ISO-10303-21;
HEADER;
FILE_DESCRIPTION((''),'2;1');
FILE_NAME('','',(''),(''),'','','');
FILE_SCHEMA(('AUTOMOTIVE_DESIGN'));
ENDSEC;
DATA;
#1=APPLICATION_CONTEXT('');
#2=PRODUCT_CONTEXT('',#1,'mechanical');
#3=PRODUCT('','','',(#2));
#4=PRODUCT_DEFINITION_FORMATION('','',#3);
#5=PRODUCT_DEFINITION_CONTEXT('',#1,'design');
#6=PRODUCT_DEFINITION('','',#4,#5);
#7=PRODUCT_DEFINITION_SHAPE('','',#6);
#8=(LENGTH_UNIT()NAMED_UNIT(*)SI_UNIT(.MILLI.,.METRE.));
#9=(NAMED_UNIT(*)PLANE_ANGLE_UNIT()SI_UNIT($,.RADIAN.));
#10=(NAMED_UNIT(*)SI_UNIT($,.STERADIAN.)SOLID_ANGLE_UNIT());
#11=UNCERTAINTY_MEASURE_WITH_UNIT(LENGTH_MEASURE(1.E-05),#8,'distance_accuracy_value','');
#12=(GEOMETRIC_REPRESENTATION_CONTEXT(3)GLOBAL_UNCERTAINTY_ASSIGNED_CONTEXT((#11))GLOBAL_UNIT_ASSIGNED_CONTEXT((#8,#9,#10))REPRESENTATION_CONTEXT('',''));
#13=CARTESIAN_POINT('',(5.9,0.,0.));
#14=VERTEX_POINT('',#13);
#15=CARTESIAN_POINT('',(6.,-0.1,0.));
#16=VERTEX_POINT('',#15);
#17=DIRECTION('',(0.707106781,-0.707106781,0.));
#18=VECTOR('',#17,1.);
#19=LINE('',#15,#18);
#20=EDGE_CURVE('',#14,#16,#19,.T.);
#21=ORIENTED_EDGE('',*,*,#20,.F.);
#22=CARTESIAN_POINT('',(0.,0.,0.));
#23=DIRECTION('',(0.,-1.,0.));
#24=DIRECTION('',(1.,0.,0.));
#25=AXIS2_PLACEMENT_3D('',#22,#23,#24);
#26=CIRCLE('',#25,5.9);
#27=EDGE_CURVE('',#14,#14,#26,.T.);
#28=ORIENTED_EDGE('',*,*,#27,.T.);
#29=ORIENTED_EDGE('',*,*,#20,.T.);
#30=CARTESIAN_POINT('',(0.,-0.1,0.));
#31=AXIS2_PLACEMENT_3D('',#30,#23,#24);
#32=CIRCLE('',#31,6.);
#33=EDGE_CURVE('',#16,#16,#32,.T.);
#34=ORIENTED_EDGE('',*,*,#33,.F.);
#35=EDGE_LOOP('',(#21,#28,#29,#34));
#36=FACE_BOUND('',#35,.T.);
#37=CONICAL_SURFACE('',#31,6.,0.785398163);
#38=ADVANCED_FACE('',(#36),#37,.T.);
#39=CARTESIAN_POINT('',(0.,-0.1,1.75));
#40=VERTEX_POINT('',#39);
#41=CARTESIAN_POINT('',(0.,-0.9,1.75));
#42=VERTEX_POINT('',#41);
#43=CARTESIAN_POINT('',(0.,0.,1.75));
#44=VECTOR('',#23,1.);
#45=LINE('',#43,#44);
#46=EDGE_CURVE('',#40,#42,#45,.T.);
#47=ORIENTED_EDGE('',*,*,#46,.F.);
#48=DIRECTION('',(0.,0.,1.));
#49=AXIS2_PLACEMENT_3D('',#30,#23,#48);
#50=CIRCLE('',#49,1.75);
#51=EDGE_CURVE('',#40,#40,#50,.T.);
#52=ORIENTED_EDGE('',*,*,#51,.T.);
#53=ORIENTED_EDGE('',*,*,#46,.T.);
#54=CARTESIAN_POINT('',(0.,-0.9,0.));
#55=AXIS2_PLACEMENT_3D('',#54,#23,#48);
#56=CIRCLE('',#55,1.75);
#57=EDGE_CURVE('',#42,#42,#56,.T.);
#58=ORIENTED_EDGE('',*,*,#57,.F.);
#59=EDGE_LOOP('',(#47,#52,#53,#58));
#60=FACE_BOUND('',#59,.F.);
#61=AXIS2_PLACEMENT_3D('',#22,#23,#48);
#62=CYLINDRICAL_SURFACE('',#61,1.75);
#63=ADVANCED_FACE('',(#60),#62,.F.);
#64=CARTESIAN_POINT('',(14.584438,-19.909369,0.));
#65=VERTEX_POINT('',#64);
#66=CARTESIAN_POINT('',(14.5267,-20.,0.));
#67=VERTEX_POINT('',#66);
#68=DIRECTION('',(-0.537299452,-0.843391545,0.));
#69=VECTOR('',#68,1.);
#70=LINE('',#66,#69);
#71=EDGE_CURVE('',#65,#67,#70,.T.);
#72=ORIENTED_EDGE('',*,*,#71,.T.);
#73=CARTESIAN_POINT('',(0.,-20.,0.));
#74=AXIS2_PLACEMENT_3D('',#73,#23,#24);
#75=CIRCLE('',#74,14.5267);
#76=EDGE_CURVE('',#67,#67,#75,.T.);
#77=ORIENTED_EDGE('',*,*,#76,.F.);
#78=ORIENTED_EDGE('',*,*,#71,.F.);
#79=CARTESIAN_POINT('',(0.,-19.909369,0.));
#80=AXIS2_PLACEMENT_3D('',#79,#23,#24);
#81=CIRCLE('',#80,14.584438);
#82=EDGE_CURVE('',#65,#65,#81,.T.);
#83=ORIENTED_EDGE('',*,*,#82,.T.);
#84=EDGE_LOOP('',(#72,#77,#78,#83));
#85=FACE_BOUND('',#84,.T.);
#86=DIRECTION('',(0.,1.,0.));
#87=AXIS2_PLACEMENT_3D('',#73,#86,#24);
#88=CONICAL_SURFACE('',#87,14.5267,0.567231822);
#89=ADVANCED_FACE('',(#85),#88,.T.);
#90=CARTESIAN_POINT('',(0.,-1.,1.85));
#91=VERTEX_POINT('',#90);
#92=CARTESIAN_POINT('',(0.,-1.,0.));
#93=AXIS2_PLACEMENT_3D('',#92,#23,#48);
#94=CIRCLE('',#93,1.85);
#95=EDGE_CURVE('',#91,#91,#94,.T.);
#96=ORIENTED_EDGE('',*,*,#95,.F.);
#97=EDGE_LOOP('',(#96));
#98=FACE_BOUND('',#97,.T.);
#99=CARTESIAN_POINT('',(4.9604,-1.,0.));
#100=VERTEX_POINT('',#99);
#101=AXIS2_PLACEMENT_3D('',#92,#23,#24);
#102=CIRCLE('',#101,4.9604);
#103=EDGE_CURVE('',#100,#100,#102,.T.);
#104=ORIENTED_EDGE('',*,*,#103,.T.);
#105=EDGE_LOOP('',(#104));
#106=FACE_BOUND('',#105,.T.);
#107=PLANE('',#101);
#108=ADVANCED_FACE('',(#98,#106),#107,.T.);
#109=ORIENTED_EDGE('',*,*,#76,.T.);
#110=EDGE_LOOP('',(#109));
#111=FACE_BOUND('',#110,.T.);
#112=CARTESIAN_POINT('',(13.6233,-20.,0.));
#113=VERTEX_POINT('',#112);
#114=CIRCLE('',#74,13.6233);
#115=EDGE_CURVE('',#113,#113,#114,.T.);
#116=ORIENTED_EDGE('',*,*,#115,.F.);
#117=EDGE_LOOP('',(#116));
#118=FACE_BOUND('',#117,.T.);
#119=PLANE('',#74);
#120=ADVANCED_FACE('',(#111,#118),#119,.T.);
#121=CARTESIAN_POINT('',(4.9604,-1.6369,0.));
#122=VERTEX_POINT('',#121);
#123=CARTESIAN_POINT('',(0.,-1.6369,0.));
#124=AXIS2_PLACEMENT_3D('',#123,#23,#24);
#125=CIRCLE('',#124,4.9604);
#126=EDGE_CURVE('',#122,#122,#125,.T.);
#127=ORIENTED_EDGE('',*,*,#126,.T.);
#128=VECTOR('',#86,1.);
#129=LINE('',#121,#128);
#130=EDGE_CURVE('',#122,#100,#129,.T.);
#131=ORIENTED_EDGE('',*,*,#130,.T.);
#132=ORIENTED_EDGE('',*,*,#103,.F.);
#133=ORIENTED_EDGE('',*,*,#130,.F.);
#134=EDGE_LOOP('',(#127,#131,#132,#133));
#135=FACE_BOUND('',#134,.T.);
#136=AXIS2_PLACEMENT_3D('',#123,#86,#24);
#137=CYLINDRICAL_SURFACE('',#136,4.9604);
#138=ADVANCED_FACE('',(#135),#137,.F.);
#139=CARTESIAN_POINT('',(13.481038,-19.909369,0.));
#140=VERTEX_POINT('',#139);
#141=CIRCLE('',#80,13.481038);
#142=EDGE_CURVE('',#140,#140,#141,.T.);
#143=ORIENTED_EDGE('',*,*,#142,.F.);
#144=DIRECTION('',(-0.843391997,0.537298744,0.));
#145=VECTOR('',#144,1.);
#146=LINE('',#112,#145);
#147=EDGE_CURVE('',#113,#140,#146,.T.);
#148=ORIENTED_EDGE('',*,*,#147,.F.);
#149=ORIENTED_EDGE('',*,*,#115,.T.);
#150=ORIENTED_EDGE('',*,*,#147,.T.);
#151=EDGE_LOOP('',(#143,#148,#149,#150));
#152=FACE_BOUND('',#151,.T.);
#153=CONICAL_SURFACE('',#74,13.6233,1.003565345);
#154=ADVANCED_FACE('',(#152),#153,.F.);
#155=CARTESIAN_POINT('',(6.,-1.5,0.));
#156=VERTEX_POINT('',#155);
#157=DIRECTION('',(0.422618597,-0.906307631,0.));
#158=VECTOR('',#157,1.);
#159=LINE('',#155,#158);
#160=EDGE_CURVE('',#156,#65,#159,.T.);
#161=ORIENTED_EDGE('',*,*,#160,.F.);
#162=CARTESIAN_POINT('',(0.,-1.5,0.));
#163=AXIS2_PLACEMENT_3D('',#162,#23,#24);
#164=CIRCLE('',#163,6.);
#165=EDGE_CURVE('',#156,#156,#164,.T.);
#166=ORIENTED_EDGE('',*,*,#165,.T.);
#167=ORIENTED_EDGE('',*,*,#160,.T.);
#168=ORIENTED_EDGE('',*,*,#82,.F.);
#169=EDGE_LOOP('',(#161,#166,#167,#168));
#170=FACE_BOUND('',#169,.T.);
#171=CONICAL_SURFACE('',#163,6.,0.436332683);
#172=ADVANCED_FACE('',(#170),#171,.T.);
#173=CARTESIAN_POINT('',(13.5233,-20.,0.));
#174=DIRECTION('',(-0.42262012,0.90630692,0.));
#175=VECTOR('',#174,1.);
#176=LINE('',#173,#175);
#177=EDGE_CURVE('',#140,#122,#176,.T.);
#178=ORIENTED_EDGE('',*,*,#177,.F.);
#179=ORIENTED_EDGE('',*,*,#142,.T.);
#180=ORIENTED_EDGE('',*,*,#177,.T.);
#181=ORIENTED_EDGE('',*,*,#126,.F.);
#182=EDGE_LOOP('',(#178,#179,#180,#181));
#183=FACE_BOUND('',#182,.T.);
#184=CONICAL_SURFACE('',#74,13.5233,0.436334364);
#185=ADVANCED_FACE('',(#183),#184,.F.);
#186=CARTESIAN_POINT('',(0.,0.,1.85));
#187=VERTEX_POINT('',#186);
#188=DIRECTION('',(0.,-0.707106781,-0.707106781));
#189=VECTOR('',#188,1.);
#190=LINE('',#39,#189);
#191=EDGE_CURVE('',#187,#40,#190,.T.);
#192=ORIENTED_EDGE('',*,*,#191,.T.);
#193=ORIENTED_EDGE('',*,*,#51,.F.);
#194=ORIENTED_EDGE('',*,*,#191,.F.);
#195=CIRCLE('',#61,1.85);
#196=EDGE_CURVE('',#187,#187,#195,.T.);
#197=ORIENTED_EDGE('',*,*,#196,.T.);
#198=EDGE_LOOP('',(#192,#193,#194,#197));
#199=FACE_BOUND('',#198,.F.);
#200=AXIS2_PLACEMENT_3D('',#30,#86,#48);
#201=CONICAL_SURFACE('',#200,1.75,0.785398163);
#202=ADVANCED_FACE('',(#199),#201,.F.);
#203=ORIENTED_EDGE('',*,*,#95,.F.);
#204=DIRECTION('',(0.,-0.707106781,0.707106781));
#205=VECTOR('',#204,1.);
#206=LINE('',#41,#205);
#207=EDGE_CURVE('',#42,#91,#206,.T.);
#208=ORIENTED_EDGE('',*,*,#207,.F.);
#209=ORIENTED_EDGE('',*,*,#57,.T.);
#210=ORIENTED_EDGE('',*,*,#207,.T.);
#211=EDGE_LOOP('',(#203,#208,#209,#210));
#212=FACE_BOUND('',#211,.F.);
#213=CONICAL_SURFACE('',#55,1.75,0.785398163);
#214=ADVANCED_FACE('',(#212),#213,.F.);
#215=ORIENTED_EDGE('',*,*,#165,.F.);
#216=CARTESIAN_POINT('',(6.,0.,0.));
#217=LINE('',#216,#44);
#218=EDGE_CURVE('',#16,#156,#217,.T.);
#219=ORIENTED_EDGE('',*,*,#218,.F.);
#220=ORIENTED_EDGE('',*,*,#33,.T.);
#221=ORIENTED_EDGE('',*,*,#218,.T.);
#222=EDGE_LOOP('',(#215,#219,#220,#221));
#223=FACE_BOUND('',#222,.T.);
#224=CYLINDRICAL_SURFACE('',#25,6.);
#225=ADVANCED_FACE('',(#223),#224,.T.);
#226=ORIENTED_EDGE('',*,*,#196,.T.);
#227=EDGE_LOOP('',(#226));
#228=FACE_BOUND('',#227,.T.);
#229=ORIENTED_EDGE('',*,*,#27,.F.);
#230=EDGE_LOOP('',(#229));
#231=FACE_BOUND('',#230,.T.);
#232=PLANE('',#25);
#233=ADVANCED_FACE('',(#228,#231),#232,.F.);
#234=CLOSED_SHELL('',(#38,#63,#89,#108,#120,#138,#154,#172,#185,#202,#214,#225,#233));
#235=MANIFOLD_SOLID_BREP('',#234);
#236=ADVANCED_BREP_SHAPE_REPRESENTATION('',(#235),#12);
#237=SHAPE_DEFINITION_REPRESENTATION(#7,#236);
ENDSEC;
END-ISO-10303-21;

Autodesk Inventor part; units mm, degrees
ref_plane "YZ Plane" through (0, 0, 0) normal (1, 0, 0) x (0, 1, 0)
ref_plane "XZ Plane" through (0, 0, 0) normal (0, 1, 0) x (-1, 0, 0)
ref_plane "XY Plane" through (0, 0, 0) normal (0, 0, 1) x (1, 0, 0)
sketch "Sketch1" plane through (0, 0, 0) normal (0, 0, 1) x (1, 0, 0)
  line L0 (0, 0) -> (0, -20) construction
  line L1 (0, 0) -> (6, 0)
  line L2 (6, 0) -> (6, -1.5)
  line L3 (6, -1.5) -> (14.6267, -20)
  line L4 (13.5233, -20) -> (4.9604, -1.6369)
  line L5 (4.9604, -1.6369) -> (4.9604, -1)
  line L6 (4.9604, -1) -> (0, -1)
  line L7 (0, 0) -> (0, -1)
  line L8 (14.6267, -20) -> (13.5233, -20)
  dimension "d1" = 6
  dimension "d2" = 1.5
  dimension "d3" = 25
  dimension "d4" = 20
  dimension "d5" = 1
  dimension "d6" = 1
revolve "Revolution1" add sketch "Sketch1" angle 360 about axis through (0, 0, 0) along (0, -1, 0)
chamfer "Chamfer1" distance 0.1 angle 45 3 edges at (-14.6267, -20, 0) (-13.5233, -20, 0) (-6, 0, 0)
sketch "Sketch2" plane through (0, 0, 0) normal (0, 1, 0) x (1, 0, 0)
  point P0 (0, 0)
  point P1 (0, 0)
hole "Hole1" at (0, 0, 0) direction (0, -1, 0) diameter 3.5 depth 53.6 tip angle 118
chamfer "Chamfer2" distance 0.1 angle 45 2 edges at (0, 0, -1.75) (0, -1, -1.75)
properties part number "Bell" material "Brass, Soft Yellow"
